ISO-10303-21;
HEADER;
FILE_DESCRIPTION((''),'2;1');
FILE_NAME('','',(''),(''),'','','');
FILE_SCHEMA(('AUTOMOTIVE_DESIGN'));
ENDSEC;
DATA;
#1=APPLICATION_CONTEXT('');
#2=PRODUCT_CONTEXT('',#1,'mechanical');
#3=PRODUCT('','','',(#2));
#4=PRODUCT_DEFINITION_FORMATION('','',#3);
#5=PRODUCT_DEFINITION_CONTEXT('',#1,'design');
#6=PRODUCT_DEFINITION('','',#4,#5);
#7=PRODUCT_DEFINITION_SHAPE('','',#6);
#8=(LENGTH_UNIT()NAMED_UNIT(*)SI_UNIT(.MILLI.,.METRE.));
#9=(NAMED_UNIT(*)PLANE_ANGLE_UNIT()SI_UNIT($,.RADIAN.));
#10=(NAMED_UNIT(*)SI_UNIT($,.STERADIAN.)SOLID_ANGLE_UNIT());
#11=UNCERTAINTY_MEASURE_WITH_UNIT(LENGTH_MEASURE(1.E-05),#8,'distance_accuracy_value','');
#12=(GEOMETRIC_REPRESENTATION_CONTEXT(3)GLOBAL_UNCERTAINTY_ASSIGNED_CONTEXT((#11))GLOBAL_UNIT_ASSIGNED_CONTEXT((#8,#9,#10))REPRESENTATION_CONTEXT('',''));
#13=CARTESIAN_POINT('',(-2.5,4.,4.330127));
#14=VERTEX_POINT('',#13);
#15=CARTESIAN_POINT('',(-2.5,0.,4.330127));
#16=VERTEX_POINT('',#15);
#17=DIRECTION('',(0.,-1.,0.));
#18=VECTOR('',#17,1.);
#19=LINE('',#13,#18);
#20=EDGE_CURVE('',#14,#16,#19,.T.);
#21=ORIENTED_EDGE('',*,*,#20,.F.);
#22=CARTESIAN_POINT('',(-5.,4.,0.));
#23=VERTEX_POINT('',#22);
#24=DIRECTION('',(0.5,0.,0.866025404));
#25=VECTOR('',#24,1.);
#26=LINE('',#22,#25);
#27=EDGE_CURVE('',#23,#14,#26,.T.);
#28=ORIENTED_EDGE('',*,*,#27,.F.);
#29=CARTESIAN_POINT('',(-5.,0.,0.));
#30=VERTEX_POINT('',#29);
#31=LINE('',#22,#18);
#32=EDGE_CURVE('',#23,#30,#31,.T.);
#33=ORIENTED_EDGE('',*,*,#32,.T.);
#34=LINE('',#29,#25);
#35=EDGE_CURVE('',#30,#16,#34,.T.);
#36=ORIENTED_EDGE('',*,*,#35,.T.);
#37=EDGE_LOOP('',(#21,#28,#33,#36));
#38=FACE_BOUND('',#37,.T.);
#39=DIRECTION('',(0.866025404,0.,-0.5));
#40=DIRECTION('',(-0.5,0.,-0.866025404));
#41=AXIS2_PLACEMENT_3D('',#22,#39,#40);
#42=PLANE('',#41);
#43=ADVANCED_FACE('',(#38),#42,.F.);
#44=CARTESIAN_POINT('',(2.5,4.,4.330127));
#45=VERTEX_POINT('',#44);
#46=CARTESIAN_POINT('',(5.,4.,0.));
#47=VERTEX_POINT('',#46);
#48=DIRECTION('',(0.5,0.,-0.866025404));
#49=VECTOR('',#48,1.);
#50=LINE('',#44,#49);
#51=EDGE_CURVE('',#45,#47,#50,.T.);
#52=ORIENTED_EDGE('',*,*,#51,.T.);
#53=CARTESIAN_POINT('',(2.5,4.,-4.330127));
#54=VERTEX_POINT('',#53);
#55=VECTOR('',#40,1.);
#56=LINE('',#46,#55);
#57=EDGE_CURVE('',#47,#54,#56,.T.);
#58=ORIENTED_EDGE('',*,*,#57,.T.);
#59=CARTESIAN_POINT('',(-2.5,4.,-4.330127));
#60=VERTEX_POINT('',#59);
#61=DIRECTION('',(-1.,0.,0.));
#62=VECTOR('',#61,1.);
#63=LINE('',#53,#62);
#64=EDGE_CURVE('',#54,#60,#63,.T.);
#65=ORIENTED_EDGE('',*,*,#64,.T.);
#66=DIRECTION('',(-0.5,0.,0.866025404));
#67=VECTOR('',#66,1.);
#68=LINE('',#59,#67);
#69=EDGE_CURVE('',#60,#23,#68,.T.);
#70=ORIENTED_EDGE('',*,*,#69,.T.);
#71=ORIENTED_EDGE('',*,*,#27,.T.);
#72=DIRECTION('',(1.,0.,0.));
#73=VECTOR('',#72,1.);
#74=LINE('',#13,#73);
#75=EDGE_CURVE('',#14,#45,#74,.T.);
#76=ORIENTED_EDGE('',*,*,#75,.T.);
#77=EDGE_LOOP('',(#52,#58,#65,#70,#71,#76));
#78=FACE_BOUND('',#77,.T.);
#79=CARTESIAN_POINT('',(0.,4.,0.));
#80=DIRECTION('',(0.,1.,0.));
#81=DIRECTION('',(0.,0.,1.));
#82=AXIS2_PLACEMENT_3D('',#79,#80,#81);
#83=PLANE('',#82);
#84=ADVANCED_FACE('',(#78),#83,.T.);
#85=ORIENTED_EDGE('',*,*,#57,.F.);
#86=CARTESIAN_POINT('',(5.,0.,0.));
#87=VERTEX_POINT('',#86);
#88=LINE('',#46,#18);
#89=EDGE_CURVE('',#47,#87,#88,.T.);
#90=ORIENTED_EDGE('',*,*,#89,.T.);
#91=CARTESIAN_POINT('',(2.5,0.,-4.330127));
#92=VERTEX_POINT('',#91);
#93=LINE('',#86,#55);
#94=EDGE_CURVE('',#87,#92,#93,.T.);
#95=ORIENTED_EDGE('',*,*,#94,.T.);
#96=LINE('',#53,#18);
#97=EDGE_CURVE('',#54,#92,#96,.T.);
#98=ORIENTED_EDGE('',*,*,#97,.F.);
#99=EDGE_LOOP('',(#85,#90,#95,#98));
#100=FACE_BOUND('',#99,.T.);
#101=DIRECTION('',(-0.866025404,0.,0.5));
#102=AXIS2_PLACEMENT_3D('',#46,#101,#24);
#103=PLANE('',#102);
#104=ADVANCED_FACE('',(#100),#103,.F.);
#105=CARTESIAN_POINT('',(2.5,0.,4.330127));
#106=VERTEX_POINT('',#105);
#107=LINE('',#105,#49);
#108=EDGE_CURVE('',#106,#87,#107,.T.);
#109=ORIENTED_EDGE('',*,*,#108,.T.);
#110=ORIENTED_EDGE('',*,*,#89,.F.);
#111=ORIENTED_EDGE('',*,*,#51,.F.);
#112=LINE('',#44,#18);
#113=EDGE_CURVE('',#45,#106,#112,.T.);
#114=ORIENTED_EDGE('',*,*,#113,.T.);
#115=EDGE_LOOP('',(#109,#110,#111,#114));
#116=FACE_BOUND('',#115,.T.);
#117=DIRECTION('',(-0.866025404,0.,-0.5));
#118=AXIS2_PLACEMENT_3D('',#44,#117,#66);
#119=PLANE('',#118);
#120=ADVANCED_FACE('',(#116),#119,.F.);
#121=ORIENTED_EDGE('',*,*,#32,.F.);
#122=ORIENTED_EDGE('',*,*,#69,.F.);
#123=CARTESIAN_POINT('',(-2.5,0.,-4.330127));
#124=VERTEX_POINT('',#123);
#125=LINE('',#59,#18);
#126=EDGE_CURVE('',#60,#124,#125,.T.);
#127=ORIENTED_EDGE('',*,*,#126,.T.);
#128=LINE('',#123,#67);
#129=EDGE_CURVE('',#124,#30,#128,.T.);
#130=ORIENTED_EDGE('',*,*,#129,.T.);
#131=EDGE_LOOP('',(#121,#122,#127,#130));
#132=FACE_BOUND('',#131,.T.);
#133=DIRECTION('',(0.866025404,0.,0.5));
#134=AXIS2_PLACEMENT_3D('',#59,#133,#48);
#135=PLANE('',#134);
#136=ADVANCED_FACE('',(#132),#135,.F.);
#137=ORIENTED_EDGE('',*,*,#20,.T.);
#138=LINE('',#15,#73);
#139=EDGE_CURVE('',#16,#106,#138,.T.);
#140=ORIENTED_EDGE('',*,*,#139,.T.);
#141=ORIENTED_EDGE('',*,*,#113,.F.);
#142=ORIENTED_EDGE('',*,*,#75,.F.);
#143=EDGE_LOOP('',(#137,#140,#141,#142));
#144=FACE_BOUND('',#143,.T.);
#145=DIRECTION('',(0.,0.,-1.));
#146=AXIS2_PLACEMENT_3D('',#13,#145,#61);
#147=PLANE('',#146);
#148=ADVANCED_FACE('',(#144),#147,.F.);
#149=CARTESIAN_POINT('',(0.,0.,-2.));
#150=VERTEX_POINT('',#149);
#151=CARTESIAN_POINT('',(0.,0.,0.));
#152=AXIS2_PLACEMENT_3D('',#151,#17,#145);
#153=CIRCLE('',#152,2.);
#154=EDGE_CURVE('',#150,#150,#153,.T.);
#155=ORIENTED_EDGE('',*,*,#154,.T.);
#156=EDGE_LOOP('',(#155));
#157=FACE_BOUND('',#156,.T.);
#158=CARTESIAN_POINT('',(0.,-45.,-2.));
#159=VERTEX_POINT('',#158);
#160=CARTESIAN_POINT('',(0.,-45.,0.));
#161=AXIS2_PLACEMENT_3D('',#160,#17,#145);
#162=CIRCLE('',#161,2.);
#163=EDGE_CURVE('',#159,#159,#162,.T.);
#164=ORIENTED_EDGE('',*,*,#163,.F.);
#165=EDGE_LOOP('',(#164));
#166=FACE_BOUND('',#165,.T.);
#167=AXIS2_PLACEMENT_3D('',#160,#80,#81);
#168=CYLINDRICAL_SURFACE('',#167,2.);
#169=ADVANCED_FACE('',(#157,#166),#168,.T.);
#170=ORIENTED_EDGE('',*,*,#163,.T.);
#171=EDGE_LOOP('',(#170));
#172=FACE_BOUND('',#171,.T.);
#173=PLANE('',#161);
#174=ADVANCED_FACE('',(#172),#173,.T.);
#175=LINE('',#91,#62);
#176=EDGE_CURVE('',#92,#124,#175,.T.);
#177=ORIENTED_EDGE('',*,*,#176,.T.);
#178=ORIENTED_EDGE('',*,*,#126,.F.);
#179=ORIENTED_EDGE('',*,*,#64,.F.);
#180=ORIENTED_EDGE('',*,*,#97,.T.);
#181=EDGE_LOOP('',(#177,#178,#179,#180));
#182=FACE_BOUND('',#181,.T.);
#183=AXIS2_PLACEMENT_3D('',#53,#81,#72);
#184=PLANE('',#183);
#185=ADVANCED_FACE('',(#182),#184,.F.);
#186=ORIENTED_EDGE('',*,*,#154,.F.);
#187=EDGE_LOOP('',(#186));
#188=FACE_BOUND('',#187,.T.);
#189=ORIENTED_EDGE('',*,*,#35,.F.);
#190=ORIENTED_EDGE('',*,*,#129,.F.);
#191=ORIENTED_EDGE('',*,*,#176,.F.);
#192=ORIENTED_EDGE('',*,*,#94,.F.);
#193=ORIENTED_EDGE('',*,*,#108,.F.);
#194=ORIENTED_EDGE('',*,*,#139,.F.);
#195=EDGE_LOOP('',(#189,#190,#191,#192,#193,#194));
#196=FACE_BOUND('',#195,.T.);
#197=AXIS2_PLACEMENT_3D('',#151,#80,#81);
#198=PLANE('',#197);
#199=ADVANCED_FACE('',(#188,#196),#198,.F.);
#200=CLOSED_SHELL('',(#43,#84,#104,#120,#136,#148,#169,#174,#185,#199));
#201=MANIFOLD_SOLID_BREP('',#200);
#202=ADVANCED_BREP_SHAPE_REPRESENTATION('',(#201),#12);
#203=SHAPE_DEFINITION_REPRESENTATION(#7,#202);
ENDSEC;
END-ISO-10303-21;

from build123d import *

# Parameters (mm, degrees)
SALIENTE_EXTRUIR1_DEPTH = 4
CROQUIS2_R              = 2
SALIENTE_EXTRUIR2_DEPTH = 45


with BuildPart() as part:
    # Croquis1 → Saliente-Extruir1 (new body)
    with BuildSketch(Plane(origin=(0, 0, 0), x_dir=(1, 0, 0), z_dir=(0, 1, 0))):
        Polygon((5, 0), (2.5, 4.330127019), (-2.5, 4.330127019), (-5, 0), (-2.5, -4.330127019), (2.5, -4.330127019), align=None)
    extrude(amount=SALIENTE_EXTRUIR1_DEPTH)

    # Croquis2 → Saliente-Extruir2 (add)
    with BuildSketch(Plane.XZ):
        Circle(CROQUIS2_R)
    extrude(amount=SALIENTE_EXTRUIR2_DEPTH)


solid = part.part
